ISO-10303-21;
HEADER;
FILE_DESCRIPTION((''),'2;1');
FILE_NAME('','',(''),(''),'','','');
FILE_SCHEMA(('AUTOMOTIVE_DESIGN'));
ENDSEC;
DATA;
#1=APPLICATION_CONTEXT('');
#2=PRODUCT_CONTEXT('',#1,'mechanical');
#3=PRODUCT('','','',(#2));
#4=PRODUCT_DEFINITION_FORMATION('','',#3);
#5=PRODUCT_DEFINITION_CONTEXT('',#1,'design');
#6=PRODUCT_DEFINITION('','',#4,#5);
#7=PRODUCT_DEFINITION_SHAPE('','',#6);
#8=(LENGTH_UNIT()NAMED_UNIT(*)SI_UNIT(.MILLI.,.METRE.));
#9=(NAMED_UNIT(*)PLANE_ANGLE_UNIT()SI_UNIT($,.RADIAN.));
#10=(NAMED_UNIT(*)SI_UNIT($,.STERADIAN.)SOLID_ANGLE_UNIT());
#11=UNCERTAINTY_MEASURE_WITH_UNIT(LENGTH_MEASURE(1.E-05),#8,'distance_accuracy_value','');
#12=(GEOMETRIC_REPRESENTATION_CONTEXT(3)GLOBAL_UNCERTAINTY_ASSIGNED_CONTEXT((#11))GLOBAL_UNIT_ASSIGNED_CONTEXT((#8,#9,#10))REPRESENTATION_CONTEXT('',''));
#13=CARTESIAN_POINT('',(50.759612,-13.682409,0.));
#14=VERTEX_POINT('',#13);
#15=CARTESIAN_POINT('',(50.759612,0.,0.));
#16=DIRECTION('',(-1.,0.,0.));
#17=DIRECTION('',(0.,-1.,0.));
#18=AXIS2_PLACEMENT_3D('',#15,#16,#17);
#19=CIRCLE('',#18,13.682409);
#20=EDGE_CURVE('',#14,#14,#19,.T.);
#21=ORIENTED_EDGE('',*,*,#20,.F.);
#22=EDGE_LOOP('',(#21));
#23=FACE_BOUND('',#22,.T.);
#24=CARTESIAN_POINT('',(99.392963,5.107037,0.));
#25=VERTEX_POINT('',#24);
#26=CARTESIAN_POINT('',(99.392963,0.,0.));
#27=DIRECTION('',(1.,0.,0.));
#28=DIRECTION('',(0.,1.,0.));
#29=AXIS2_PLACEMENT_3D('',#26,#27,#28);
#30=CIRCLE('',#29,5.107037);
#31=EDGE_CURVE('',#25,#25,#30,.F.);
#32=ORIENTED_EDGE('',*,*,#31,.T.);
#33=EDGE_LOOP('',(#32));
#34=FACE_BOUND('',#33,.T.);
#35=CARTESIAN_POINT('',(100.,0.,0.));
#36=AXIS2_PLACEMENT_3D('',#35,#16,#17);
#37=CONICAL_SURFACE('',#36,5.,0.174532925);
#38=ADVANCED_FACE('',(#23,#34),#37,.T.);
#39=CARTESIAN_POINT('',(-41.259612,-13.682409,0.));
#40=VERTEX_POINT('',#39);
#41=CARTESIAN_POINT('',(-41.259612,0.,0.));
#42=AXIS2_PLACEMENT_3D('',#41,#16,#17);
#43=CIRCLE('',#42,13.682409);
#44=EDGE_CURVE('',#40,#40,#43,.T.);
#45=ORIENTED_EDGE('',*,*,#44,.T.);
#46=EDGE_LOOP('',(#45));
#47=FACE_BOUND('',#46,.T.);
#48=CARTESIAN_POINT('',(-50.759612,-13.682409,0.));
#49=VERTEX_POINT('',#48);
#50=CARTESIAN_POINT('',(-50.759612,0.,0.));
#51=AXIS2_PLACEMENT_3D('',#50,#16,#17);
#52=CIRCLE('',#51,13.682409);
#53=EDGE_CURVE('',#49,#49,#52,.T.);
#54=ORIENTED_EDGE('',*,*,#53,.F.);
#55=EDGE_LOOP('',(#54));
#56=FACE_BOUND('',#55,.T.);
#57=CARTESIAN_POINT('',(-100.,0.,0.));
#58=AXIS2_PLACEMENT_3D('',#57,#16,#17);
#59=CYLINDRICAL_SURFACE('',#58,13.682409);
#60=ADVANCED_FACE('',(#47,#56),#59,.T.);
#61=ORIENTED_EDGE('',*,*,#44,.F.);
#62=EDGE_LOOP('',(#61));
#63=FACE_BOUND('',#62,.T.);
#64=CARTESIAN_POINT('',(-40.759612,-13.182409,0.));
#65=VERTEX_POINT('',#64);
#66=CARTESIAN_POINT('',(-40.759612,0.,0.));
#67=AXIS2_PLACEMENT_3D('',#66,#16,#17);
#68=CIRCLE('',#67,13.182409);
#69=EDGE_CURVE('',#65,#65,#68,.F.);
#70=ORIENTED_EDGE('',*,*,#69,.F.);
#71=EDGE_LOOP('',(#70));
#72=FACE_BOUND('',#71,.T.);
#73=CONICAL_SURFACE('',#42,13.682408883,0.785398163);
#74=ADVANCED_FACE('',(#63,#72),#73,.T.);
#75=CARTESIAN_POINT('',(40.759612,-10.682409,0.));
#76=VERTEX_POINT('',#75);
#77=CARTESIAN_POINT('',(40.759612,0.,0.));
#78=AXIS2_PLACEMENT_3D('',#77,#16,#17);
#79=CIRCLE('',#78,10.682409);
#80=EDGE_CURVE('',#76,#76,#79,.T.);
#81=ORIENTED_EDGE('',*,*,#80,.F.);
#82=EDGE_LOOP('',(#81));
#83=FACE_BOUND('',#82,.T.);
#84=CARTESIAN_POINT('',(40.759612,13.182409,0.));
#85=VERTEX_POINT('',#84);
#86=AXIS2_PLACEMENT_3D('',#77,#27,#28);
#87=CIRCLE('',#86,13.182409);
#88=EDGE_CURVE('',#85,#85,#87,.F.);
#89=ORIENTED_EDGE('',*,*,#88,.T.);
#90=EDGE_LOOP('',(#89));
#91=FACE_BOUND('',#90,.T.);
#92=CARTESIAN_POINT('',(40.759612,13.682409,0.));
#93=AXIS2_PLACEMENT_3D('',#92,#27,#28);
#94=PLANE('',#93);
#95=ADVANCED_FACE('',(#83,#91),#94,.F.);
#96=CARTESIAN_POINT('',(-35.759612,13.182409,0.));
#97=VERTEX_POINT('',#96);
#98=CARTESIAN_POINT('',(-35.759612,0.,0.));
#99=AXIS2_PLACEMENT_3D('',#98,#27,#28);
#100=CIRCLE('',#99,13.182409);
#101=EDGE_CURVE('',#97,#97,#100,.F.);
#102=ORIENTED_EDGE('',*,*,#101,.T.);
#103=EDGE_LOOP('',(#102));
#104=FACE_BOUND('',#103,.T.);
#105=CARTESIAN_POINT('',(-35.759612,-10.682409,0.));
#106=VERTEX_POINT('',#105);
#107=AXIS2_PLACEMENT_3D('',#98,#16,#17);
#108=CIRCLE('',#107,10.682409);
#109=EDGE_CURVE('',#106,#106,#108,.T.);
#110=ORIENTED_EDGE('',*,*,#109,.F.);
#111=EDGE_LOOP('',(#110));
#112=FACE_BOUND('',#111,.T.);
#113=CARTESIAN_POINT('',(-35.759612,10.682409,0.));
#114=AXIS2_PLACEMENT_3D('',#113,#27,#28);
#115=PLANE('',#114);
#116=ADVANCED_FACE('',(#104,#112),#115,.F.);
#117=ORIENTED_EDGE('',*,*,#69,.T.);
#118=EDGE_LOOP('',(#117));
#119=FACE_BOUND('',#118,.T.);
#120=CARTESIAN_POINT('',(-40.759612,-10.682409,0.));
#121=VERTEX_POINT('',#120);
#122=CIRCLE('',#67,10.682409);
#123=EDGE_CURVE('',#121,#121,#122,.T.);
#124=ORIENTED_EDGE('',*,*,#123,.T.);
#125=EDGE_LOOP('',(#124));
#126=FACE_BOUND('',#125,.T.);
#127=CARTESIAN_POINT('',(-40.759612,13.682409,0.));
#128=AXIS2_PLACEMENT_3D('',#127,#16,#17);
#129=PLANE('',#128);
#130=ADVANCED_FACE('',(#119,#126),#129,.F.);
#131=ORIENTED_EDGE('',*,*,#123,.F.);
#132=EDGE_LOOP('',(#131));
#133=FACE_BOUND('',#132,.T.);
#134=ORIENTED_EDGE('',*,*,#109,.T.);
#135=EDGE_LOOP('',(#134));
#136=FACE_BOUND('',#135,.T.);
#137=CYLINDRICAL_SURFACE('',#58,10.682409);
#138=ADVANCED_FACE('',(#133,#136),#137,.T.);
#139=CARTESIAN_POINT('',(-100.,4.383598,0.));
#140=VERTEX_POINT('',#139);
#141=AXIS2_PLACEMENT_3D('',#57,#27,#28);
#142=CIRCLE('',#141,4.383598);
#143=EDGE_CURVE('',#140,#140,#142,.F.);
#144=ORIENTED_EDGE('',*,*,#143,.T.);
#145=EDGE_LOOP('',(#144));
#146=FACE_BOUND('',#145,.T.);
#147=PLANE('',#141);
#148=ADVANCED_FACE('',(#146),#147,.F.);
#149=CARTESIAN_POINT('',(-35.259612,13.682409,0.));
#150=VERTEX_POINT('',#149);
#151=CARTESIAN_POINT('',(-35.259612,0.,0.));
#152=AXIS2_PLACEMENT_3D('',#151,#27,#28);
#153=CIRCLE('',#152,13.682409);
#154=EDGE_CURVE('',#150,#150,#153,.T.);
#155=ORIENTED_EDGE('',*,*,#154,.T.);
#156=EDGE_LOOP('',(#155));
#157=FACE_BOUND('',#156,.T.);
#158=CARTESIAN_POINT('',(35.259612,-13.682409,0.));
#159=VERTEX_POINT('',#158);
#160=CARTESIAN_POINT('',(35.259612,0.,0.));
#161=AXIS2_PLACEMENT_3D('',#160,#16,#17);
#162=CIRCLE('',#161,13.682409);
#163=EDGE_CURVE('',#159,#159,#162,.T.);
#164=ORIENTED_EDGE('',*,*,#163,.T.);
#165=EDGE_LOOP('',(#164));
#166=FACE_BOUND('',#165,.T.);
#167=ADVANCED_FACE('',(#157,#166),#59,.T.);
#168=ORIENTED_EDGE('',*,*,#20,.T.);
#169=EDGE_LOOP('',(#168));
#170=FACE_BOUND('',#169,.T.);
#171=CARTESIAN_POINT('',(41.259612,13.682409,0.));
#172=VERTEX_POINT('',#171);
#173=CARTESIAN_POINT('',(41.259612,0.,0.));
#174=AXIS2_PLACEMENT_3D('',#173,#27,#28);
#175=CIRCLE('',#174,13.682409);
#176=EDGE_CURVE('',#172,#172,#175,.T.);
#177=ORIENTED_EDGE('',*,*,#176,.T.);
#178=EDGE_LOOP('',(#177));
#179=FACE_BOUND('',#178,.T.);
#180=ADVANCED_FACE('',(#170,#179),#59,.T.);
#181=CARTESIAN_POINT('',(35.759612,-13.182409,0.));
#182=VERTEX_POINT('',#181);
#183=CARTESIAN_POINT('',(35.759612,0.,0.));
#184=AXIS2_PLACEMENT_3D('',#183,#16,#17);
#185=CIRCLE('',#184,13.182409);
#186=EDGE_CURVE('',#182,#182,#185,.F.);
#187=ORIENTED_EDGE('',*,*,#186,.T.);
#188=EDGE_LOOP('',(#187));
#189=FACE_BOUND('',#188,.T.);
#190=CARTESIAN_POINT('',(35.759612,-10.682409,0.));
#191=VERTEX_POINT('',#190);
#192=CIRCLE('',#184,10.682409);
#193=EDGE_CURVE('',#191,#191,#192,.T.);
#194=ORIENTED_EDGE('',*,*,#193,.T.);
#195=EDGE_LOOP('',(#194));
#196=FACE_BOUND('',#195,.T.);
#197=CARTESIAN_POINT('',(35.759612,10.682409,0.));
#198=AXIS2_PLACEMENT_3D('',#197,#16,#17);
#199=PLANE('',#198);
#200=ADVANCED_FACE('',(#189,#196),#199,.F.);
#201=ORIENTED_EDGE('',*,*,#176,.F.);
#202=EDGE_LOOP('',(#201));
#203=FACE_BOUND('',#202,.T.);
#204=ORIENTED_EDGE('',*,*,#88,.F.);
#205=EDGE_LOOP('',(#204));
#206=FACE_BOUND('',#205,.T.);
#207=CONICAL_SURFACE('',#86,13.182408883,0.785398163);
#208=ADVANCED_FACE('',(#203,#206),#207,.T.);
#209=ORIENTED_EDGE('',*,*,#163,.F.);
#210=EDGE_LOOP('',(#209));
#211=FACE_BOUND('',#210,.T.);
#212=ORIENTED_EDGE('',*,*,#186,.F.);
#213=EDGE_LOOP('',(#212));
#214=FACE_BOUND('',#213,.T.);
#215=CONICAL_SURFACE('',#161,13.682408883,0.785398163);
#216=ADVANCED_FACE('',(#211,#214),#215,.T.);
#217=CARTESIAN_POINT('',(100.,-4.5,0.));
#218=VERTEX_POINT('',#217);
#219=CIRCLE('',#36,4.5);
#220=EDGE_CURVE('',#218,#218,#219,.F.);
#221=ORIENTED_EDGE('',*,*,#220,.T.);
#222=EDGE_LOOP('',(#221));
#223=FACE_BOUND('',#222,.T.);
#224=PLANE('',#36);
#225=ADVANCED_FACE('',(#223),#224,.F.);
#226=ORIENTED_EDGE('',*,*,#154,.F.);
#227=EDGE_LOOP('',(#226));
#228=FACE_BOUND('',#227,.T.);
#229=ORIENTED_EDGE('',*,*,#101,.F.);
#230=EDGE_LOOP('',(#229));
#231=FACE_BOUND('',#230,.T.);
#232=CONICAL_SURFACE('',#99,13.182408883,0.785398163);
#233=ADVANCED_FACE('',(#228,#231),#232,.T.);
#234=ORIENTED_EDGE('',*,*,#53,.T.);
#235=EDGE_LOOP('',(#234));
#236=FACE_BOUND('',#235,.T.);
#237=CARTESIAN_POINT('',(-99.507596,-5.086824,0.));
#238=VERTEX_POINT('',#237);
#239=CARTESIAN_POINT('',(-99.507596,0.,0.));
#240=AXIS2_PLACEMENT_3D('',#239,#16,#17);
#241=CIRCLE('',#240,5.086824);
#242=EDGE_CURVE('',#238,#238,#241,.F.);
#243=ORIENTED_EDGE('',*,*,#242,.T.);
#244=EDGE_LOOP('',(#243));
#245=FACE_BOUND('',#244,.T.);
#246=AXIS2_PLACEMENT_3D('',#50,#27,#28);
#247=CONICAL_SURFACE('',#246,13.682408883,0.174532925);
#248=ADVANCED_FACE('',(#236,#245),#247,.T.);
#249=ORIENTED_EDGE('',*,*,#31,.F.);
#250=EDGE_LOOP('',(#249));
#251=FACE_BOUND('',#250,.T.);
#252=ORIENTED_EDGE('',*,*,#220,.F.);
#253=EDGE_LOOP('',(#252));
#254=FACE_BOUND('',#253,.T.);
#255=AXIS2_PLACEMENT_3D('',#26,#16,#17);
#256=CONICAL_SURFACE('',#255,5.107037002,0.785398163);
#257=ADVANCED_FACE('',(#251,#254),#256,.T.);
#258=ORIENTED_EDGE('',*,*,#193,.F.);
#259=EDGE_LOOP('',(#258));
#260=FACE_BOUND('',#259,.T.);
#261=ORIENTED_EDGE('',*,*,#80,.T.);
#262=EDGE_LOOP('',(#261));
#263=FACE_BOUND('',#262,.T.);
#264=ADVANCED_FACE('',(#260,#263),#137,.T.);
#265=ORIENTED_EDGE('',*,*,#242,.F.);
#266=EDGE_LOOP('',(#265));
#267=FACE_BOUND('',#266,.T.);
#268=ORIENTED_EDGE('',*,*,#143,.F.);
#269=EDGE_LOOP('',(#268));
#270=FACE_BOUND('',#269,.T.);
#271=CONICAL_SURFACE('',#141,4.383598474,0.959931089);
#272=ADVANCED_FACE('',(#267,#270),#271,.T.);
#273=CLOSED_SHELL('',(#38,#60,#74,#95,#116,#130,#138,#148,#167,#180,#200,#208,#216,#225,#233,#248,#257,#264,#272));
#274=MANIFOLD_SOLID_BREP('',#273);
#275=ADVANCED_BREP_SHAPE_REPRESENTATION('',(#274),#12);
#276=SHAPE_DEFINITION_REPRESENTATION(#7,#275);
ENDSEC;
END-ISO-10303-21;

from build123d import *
from OCP.BRepFilletAPI import BRepFilletAPI_MakeChamfer

# Parameters (mm, degrees)
CHAMFER_1_SIZE  = 0.5
CHAMFER_1_SIZE2 = 0.616401526


with BuildPart() as part:
    # 草图1 → 旋转1 (revolve)
    with BuildSketch(Plane.XY, mode=Mode.PRIVATE) as revolve_1_sk:
        Polygon((-100, 0), (100, 0), (100, 5), (50.759612349, 13.682408883), (40.759612349, 13.682408883), (40.759612349, 10.682408883), (35.759612349, 10.682408883), (35.759612349, 13.682408883), (-35.759612349, 13.682408883), (-35.759612349, 10.682408883), (-40.759612349, 10.682408883), (-40.759612349, 13.682408883), (-50.759612349, 13.682408883), (-100, 5), align=None)
    revolve(revolve_1_sk.sketch.rotate(Axis((-100, 0, 0), (1, 0, 0)), 180), axis=Axis((-100, 0, 0), (1, 0, 0)))

    # 倒角1: one chamfer whose edges measure the first distance from different faces: ONE call of the kernel's chamfer builder (chamfer() names one face for all edges)
    chamfer_1_edges_1 = [part.edges().sort_by_distance(p)[0] for p in [
        (100, 5, 0),
    ]]
    chamfer_1_side_1 = [part.faces().sort_by_distance(p)[0] for p in [
        (100, 0, 0),
    ]]
    chamfer_1_edges_2 = [part.edges().sort_by_distance(p)[0] for p in [
        (40.759612349, 13.682408883, 0),
        (35.759612349, 13.682408883, 0),
        (-35.759612349, 13.682408883, 0),
        (-40.759612349, 13.682408883, 0),
    ]]
    chamfer_1_edges_3 = [part.edges().sort_by_distance(p)[0] for p in [
        (-100, 5, 0),
    ]]
    chamfer_1_side_3 = [part.faces().sort_by_distance(p)[0] for p in [
        (-75.379806175, 9.341204442, 0),
    ]]
    chamfer_1 = BRepFilletAPI_MakeChamfer(part.part.solid().wrapped)
    for e in chamfer_1_edges_1:
        chamfer_1.Add(CHAMFER_1_SIZE, CHAMFER_1_SIZE2, e.wrapped, chamfer_1_side_1[0].wrapped)  # the first distance lies on this face
    for e in chamfer_1_edges_2:
        chamfer_1.Add(CHAMFER_1_SIZE, e.wrapped)
    for e in chamfer_1_edges_3:
        chamfer_1.Add(CHAMFER_1_SIZE, CHAMFER_1_SIZE2, e.wrapped, chamfer_1_side_3[0].wrapped)  # the first distance lies on this face
    add(Compound.cast(chamfer_1.Shape()), mode=Mode.REPLACE)


solid = part.part
